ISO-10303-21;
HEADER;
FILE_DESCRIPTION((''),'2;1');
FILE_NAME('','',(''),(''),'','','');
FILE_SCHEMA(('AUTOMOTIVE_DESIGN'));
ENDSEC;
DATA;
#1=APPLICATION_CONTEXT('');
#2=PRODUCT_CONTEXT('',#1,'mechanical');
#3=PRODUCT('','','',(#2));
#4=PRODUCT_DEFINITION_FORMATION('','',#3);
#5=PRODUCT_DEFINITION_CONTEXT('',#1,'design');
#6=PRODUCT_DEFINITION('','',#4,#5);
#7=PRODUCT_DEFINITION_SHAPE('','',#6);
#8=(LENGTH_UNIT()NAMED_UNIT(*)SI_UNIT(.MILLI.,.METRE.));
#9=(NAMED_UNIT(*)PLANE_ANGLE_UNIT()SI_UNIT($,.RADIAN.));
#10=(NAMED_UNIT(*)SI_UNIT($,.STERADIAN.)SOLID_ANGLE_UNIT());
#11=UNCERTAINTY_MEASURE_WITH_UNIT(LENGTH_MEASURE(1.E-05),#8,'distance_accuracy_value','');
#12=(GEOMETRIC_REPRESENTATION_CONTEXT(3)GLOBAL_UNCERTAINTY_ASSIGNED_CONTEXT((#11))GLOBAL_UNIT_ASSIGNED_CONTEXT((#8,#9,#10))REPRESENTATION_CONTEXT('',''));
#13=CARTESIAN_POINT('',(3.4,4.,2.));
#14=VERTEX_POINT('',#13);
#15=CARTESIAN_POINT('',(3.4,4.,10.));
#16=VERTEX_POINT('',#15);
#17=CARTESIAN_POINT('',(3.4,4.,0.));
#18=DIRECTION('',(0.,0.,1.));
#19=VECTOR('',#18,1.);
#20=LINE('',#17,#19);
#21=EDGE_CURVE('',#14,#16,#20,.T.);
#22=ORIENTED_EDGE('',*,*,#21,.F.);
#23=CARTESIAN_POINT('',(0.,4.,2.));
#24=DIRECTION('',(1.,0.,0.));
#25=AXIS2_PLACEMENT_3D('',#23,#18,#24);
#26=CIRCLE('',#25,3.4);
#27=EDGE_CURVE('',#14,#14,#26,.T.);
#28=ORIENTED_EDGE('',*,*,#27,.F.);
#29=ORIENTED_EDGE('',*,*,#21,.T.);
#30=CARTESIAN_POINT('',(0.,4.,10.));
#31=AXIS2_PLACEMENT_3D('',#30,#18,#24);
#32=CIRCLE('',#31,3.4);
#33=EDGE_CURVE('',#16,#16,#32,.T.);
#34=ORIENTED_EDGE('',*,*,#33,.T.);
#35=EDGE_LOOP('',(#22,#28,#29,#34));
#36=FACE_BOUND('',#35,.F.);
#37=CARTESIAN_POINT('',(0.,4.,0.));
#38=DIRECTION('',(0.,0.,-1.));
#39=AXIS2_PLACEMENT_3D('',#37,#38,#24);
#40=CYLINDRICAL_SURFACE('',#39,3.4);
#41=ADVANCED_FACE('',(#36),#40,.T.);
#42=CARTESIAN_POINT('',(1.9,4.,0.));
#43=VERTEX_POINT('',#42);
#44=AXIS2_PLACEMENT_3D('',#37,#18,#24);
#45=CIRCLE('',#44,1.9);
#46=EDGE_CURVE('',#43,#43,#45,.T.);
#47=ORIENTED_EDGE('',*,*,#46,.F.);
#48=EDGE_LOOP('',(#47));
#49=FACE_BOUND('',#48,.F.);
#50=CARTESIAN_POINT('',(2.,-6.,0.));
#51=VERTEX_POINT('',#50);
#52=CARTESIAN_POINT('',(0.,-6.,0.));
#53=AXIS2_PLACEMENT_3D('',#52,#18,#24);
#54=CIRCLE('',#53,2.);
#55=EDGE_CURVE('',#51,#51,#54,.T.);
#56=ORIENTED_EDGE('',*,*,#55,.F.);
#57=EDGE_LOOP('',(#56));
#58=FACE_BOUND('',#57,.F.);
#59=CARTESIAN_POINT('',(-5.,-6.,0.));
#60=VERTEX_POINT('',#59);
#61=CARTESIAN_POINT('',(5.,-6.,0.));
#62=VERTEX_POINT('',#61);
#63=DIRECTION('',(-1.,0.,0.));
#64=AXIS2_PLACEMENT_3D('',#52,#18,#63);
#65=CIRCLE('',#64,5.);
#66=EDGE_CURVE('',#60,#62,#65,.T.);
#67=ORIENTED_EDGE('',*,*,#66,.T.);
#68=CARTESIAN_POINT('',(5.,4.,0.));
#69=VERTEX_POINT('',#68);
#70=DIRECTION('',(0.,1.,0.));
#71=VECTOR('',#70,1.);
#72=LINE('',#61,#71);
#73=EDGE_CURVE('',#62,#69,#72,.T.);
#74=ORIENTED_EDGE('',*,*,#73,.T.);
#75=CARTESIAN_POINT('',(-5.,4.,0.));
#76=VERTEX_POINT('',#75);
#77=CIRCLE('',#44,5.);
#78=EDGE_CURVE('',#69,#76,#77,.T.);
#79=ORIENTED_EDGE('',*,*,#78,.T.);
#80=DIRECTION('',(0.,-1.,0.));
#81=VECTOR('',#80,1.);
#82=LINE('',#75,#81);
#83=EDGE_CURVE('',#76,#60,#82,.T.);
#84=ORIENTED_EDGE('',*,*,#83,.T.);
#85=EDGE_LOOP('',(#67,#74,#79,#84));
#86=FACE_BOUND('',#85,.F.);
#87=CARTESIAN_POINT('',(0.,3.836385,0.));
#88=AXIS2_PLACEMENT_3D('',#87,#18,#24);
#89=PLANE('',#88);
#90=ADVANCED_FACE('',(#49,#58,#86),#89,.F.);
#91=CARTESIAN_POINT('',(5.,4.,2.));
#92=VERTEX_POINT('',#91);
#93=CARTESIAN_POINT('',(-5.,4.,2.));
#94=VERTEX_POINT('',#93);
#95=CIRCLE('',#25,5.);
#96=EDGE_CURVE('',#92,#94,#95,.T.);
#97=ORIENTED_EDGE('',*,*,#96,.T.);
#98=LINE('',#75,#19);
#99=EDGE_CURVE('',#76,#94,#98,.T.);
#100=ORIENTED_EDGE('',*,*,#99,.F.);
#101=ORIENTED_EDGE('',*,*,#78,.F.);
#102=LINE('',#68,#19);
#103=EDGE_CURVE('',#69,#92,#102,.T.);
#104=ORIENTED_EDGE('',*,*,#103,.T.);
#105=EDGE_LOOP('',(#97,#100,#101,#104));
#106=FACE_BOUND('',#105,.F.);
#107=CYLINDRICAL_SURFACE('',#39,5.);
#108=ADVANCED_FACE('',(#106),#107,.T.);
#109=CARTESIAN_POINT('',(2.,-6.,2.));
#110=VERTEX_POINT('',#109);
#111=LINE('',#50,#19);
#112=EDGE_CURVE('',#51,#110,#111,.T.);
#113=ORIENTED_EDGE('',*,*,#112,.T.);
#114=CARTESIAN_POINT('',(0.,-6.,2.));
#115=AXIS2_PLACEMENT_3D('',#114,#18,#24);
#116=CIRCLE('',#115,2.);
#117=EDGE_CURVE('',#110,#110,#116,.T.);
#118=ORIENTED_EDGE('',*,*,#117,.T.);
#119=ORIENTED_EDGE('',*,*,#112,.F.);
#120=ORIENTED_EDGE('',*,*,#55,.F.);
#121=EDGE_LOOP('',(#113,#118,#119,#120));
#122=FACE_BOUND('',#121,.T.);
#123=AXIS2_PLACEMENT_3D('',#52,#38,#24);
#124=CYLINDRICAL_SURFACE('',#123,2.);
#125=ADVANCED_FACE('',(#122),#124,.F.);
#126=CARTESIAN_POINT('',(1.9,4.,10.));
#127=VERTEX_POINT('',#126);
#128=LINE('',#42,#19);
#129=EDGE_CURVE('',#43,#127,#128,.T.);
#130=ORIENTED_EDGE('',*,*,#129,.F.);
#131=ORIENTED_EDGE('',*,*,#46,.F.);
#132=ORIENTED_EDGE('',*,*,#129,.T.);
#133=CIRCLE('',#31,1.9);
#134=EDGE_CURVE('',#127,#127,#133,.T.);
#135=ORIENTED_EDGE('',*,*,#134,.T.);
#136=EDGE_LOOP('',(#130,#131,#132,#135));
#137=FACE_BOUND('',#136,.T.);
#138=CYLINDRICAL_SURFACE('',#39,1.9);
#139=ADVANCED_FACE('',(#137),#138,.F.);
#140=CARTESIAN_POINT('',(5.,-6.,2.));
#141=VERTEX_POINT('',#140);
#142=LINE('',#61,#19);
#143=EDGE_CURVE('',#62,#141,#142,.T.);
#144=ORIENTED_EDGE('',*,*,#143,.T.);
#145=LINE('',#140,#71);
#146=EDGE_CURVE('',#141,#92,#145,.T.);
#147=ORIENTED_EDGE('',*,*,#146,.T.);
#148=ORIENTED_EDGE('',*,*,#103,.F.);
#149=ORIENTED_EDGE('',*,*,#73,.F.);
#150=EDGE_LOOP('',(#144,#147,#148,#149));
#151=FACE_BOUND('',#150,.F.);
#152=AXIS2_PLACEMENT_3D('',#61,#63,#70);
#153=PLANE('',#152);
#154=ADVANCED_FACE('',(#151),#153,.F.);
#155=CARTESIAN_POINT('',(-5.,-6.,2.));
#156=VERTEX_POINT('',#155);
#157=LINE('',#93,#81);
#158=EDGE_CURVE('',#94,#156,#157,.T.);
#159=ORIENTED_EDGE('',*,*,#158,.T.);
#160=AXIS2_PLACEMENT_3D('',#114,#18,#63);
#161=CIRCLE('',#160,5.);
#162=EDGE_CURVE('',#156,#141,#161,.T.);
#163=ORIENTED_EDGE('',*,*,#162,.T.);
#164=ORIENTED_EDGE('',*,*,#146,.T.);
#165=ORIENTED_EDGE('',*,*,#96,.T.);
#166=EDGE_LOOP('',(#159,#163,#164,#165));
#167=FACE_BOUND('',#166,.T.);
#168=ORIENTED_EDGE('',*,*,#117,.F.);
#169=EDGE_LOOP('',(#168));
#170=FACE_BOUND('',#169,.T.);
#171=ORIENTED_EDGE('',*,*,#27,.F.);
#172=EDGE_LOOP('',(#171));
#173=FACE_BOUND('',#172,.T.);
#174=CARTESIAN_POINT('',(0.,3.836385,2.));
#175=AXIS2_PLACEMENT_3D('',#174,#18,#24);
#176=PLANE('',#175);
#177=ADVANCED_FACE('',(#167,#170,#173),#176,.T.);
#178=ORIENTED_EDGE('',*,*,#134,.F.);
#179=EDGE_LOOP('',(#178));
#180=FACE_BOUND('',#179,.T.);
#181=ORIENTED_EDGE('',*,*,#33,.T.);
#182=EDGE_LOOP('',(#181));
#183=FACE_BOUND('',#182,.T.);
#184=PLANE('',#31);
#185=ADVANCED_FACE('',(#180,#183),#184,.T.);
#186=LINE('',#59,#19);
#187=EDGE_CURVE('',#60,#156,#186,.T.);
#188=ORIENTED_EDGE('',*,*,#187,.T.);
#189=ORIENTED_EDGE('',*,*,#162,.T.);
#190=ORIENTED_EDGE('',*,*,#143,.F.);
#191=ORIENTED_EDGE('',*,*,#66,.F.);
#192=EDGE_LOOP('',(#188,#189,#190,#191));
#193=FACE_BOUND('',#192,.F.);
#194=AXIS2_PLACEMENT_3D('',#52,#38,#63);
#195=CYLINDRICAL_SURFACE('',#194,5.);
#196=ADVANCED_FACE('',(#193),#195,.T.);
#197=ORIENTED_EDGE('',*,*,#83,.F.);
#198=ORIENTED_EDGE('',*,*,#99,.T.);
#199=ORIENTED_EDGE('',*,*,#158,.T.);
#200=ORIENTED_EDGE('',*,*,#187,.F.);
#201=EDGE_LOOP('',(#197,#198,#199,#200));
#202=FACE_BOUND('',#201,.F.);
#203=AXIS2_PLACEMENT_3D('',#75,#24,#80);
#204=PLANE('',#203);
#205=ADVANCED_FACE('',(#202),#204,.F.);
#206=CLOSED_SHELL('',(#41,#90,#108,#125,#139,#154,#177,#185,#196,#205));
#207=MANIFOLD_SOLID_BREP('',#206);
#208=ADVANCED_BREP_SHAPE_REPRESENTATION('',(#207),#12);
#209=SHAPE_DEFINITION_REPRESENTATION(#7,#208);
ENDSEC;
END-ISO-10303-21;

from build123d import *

# Parameters (mm, degrees)
F0_R     = 3.4
F0_R_2   = 1.9
F1_DEPTH = 10
F0_R_3   = 2
F2_DEPTH = 2


with BuildPart() as f1:
    # F0 (on Top) → F1 (new body)
    with BuildSketch(Plane.XY):
        with Locations((0, 4)):
            Circle(F0_R)
        with Locations((0, 4)):
            Circle(F0_R_2, mode=Mode.SUBTRACT)
    extrude(amount=F1_DEPTH)

    # F0 (on Top) → F2 (join)
    with BuildSketch(Plane.XY):
        with BuildLine():
            ThreePointArc((-5, 4), (-3.535534, 0.464466), (0, -1))
            ThreePointArc((0, -1), (3.535534, 0.464466), (5, 4))
            ThreePointArc((5, 4), (0, 9), (-5, 4))
        make_face()
        with Locations((0, 4)):
            Circle(F0_R, mode=Mode.SUBTRACT)
        with BuildLine():
            ThreePointArc((0, -1), (3.535534, -2.464466), (5, -6))
            Line((5, -6), (5, 4))
            ThreePointArc((5, 4), (3.535534, 0.464466), (0, -1))
        make_face()
        with BuildLine():
            ThreePointArc((0, -1), (-3.535534, -2.464466), (-5, -6))
            ThreePointArc((-5, -6), (0, -11), (5, -6))
            ThreePointArc((5, -6), (3.535534, -2.464466), (0, -1))
        make_face()
        with Locations((0, -6)):
            Circle(F0_R_3, mode=Mode.SUBTRACT)
        with BuildLine():
            Line((-5, 4), (-5, -6))
            ThreePointArc((-5, -6), (-3.535534, -2.464466), (0, -1))
            ThreePointArc((0, -1), (-3.535534, 0.464466), (-5, 4))
        make_face()
    extrude(amount=F2_DEPTH)


solid = f1.part
